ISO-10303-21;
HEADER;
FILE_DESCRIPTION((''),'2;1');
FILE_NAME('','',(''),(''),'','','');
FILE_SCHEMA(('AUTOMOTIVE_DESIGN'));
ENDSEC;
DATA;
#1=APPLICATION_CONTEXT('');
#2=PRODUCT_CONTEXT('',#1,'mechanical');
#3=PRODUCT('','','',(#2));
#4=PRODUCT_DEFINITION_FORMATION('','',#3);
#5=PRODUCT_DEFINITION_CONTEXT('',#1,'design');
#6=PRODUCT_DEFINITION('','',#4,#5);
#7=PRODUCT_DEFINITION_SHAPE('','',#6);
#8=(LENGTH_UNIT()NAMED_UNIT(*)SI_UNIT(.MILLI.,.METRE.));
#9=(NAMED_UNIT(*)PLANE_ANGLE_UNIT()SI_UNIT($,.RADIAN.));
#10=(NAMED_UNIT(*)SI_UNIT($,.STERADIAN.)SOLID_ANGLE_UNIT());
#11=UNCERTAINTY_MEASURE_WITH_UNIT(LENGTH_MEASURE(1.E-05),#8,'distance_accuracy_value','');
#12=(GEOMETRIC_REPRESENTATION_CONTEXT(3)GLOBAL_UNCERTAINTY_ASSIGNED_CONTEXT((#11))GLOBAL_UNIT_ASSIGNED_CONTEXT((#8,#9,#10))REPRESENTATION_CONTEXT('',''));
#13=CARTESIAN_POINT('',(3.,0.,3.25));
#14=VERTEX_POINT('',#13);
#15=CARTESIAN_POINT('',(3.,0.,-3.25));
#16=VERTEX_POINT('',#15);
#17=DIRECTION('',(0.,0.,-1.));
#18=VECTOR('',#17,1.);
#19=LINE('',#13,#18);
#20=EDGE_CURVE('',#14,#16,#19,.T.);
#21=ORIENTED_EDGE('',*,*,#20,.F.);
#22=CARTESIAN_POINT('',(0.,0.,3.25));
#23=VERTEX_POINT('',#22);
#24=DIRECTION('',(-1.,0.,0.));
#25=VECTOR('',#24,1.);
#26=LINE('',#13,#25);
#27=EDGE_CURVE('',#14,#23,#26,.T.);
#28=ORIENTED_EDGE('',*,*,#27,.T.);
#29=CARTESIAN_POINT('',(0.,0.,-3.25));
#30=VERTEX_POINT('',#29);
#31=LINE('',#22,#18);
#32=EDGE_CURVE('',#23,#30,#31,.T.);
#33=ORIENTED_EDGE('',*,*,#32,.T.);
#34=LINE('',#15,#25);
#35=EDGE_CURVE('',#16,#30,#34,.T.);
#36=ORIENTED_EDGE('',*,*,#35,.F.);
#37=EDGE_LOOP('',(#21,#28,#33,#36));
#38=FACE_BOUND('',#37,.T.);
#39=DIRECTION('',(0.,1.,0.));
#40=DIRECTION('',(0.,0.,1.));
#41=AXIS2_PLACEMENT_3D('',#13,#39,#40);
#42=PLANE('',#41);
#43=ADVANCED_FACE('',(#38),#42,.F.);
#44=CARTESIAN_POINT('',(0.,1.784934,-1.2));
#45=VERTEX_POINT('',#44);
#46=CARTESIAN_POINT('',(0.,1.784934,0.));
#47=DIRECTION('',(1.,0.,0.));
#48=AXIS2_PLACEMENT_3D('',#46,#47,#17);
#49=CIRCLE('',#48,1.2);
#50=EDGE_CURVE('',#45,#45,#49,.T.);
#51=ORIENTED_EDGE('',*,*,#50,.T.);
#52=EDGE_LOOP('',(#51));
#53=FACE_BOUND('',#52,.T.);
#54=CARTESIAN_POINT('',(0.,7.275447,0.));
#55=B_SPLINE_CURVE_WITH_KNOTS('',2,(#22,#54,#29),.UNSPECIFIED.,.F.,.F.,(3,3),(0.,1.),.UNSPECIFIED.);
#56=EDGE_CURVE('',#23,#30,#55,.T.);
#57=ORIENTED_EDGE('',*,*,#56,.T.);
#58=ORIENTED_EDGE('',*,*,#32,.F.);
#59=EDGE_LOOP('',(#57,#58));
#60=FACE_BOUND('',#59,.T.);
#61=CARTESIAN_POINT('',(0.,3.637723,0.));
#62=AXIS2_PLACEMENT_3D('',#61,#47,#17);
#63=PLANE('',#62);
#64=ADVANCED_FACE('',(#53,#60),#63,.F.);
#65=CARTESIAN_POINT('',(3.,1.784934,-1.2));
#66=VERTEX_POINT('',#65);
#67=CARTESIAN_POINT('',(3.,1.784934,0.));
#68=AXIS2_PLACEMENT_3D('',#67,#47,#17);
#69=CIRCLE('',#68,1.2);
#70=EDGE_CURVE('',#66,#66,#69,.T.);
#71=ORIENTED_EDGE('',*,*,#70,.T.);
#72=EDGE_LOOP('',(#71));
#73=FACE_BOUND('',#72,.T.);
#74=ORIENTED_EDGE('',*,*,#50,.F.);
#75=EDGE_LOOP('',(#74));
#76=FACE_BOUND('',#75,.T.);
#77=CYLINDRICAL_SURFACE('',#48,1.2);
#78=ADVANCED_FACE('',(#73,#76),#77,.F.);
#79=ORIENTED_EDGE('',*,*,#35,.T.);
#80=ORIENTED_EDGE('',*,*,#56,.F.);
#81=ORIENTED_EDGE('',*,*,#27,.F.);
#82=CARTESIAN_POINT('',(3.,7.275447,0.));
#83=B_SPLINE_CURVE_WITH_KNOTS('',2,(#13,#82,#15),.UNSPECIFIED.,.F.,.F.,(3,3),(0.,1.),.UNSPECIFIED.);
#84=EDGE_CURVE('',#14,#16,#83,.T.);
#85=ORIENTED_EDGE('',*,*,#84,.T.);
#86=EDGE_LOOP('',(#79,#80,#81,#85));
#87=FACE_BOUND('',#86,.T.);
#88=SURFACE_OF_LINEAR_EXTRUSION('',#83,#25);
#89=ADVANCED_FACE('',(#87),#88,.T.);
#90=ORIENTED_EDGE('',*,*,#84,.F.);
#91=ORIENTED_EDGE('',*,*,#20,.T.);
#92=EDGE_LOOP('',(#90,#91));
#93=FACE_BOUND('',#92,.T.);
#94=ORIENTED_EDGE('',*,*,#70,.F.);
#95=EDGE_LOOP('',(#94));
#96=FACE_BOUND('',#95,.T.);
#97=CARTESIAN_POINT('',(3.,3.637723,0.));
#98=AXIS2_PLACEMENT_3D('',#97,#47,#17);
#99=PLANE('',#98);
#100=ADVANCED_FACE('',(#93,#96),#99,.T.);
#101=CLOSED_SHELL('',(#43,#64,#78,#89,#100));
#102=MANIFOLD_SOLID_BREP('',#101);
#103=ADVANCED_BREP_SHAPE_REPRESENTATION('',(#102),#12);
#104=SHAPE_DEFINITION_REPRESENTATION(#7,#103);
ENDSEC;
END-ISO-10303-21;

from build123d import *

# Parameters (mm, degrees)
EXTRUDE_1_DEPTH     = 3
SKETCH_2_R          = 1.2
CUT_EXTRUDE_1_DEPTH = 6.726738432


with BuildPart() as part:
    # 草图1 → 凸台-拉伸1 (new body)
    with BuildSketch(Plane(origin=(0, 0, 0), x_dir=(0, 0, -1), z_dir=(1, 0, 0))):
        with BuildLine():
            Line((-3.25, 0), (3.25, 0))
            add(Edge.make_bspline(
                [(-3.25, 0), (0, 7.275446678), (3.25, 0)],
                knots=[0, 0, 0, 1, 1, 1], degree=2))
        make_face()
    extrude(amount=EXTRUDE_1_DEPTH)

    # 草图2 → 切除-拉伸1 (cut, through all)
    with BuildSketch(Plane(origin=(3, 0, 0), x_dir=(0, 0, -1), z_dir=(1, 0, 0))):
        with Locations((0, 1.784934095)):
            Circle(SKETCH_2_R)
    extrude(amount=-CUT_EXTRUDE_1_DEPTH, mode=Mode.SUBTRACT)


solid = part.part
